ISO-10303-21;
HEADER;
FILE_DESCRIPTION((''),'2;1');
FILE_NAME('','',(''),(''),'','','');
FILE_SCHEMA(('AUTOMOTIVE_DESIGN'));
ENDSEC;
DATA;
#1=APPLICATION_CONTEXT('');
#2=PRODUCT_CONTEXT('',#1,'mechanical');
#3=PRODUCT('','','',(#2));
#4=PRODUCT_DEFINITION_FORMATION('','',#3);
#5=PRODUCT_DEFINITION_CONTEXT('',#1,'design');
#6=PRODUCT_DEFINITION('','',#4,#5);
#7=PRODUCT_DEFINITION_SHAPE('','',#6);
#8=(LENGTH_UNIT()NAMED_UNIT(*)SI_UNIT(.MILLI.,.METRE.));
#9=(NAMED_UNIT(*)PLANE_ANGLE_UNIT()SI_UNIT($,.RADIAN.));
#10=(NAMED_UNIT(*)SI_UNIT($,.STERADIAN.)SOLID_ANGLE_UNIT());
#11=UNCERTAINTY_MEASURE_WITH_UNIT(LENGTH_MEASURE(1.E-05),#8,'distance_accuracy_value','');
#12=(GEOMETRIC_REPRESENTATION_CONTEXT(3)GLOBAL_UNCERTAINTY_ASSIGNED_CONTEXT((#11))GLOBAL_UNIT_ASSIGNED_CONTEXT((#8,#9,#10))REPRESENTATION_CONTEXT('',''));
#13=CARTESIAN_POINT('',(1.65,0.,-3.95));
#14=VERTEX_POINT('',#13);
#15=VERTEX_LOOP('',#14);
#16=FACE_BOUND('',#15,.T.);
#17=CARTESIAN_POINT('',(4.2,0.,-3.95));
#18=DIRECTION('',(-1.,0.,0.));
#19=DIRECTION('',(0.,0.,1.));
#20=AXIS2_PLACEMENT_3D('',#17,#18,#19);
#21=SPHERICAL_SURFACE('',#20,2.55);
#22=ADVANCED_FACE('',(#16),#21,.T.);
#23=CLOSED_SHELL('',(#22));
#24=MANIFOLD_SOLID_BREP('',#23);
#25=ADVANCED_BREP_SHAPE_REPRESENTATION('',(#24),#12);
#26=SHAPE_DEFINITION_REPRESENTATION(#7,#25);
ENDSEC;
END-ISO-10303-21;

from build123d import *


with BuildPart() as part:
    # Esquisse1 → Base-Révolution (revolve)
    with BuildSketch(Plane(origin=(0, 0, 0), x_dir=(1, 0, 0), z_dir=(0, 1, 0))):
        with BuildLine():
            Line((1.65, 3.95), (6.75, 3.95))
            ThreePointArc((6.75, 3.95), (4.2, 6.5), (1.65, 3.95))
        make_face()
    revolve(axis=Axis((-0.3, 0, -3.95), (1, 0, 0)))


solid = part.part
